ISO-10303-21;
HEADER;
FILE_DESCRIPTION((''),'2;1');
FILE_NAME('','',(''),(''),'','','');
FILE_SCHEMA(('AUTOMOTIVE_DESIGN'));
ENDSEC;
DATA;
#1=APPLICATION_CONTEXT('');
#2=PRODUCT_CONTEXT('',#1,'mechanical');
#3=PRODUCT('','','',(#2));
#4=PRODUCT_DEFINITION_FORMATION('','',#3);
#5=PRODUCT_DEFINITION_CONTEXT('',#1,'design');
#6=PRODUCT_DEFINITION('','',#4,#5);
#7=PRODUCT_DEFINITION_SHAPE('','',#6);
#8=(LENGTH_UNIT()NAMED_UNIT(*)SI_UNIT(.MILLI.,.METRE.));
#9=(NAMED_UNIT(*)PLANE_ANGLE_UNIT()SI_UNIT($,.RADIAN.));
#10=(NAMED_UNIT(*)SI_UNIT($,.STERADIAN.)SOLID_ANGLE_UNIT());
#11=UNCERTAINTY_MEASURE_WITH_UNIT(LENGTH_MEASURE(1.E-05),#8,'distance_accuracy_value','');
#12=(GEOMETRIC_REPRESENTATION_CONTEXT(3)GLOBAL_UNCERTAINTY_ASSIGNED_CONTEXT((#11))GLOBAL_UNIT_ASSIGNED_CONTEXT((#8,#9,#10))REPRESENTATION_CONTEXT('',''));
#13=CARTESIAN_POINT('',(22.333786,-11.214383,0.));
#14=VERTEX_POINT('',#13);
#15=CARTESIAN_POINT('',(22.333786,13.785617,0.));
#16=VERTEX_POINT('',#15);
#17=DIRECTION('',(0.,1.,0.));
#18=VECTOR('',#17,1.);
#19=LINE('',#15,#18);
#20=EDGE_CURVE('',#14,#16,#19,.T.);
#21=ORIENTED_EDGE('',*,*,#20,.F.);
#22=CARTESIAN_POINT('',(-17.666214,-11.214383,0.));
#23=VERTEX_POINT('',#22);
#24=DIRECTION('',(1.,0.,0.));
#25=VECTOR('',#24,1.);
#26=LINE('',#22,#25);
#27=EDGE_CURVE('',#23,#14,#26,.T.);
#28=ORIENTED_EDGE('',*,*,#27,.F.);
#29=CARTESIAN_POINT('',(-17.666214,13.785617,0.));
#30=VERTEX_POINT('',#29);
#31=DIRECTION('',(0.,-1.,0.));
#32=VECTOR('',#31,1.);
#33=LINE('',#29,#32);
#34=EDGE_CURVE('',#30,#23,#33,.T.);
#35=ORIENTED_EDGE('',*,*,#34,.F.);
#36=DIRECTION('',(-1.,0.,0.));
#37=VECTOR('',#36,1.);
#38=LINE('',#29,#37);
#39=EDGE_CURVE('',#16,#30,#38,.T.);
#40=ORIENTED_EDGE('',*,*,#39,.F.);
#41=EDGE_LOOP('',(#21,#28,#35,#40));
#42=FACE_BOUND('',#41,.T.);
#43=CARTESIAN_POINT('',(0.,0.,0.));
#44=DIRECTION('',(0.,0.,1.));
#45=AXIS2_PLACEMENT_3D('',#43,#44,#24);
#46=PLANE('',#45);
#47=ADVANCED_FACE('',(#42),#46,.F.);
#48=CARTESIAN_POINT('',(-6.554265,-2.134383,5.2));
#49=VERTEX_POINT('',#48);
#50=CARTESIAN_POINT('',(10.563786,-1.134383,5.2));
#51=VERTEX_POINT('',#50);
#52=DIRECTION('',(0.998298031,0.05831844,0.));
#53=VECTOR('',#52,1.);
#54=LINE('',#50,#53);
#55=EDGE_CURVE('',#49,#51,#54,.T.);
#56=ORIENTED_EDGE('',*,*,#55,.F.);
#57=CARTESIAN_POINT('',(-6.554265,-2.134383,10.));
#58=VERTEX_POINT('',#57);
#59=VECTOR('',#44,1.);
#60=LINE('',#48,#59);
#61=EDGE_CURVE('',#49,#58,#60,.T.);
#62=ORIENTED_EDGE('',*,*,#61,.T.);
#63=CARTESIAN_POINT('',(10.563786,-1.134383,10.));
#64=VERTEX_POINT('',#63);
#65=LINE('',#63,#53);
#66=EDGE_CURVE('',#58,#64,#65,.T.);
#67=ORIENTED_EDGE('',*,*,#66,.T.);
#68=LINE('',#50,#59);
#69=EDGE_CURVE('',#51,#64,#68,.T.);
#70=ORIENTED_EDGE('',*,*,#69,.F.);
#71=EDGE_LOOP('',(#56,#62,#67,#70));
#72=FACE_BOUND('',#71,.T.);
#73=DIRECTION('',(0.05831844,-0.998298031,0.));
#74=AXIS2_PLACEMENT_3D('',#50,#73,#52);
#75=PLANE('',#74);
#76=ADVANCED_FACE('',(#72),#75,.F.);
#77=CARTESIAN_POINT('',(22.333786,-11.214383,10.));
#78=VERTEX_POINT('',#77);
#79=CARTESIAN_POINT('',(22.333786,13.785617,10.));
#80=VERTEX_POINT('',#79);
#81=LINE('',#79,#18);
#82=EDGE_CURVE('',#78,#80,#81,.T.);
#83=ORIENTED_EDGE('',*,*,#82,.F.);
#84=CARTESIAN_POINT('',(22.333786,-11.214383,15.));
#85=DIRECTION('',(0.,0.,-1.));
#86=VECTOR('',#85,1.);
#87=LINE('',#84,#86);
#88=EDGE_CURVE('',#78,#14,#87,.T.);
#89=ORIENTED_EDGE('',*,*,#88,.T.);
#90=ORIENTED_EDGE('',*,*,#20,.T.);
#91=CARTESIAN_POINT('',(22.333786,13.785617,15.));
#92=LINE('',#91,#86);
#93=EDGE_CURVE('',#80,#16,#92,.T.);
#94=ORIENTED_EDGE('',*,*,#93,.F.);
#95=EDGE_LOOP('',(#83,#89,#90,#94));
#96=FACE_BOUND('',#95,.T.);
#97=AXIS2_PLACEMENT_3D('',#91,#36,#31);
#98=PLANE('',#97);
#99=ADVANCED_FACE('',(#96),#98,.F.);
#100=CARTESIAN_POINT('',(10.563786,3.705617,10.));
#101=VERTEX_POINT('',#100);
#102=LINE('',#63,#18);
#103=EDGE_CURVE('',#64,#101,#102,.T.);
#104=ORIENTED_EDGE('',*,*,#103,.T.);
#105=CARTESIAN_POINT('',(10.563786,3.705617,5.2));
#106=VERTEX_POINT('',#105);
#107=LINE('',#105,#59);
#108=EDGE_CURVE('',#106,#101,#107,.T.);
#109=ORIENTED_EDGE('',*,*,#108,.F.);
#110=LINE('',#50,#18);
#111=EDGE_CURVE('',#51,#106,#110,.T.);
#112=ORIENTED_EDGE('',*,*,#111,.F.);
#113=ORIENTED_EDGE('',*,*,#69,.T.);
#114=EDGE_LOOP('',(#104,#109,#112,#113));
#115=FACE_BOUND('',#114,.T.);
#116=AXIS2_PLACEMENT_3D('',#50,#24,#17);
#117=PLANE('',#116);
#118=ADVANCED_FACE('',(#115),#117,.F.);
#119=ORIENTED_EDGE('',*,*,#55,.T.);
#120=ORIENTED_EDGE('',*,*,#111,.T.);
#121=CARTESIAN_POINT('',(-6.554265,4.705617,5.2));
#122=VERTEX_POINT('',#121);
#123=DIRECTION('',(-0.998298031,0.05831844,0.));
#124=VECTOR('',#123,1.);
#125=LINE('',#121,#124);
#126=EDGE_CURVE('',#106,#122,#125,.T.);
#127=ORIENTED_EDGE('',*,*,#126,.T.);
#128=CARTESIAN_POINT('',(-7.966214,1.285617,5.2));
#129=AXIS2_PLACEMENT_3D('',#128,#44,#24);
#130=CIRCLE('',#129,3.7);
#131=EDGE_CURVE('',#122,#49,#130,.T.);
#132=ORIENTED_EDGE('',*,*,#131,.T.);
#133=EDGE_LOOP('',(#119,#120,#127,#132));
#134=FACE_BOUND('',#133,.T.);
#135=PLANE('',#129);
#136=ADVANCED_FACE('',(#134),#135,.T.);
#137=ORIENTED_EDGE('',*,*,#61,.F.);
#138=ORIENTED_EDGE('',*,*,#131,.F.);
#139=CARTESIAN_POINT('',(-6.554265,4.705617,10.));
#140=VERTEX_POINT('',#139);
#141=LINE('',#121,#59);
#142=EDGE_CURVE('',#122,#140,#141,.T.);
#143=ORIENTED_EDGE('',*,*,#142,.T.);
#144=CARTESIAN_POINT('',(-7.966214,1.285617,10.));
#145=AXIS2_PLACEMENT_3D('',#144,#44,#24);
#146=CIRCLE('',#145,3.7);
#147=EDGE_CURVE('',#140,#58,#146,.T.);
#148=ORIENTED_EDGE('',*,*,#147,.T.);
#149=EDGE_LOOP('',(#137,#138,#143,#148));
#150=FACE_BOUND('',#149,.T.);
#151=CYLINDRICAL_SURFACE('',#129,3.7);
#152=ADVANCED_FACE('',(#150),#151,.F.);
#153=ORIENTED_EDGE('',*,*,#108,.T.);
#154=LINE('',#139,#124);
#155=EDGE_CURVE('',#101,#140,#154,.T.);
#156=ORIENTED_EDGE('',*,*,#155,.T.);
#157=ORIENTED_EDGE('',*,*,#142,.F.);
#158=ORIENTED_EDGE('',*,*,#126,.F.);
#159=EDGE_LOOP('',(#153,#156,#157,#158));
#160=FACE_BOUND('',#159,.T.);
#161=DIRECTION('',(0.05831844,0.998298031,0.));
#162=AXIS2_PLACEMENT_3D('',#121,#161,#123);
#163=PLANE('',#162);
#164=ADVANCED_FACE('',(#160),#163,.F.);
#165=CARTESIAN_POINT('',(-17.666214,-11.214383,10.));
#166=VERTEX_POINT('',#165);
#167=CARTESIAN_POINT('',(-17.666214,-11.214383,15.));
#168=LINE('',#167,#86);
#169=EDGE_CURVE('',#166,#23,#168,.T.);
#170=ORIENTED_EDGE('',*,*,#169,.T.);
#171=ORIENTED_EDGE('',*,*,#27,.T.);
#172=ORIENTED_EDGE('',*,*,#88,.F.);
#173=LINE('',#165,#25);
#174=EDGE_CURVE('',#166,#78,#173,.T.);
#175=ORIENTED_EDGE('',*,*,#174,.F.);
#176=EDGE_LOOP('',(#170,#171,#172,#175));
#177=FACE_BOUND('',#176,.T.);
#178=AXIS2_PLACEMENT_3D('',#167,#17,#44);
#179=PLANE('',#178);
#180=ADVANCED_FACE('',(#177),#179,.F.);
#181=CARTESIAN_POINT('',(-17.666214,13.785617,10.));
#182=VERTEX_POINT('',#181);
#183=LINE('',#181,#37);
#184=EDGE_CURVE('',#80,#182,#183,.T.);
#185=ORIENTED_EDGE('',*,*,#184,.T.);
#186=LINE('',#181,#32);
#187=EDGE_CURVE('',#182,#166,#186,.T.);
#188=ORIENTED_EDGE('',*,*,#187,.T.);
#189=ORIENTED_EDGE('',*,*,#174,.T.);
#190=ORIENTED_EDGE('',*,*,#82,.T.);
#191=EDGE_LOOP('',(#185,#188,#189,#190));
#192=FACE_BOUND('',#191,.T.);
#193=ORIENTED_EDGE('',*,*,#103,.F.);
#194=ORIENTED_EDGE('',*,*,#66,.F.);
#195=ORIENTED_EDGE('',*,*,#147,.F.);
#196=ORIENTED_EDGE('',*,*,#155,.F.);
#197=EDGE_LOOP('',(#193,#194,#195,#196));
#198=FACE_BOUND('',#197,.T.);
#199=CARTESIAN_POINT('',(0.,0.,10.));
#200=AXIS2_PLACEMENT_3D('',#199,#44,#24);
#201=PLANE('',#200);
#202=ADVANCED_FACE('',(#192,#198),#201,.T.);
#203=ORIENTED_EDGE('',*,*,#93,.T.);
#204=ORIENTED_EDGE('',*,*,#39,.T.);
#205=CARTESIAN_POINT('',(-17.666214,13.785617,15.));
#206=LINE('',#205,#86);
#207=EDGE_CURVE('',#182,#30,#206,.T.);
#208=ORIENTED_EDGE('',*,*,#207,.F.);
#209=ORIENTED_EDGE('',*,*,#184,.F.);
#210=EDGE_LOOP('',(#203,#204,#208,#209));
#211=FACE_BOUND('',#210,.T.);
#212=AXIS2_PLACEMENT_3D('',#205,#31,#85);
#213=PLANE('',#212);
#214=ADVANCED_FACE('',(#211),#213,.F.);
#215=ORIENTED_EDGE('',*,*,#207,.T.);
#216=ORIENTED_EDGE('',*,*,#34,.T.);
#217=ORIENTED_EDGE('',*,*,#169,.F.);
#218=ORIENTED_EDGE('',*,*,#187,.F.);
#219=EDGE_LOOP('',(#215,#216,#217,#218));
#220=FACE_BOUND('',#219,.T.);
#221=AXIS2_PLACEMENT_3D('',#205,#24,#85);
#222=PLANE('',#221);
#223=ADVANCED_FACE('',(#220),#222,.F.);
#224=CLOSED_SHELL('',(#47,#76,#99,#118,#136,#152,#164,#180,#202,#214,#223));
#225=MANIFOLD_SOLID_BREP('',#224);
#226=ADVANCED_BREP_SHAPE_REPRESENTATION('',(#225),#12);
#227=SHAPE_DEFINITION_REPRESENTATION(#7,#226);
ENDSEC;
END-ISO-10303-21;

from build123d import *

# Parameters (mm, degrees)
SKETCH2_W           = 40
SKETCH2_H           = 25
BOSS_EXTRUDE1_DEPTH = 15
SKETCH3_W           = 25
SKETCH3_H           = 12
CUT_EXTRUDE1_DEPTH  = 5
CUT_EXTRUDE2_DEPTH  = 4.8
SKETCH7_W           = 40
SKETCH7_H           = 25
CUT_EXTRUDE3_DEPTH  = 5


with BuildPart() as part:
    # Sketch2 → Boss-Extrude1 (new body)
    with BuildSketch(Plane.XY):
        with Locations((2.333785617, 1.285617368)):
            Rectangle(SKETCH2_W, SKETCH2_H)
    extrude(amount=BOSS_EXTRUDE1_DEPTH)

    # Sketch3 → Cut-Extrude1 (cut)
    with BuildSketch(Plane.XY.offset(15)):
        with Locations((-0.166214383, 1.285617368)):
            Rectangle(SKETCH3_W, SKETCH3_H)
    extrude(amount=-CUT_EXTRUDE1_DEPTH, mode=Mode.SUBTRACT)

    # Sketch5 → Cut-Extrude2 (cut)
    with BuildSketch(Plane.XY.offset(10)):
        with BuildLine():
            Line((10.563785617, -1.134382632), (10.563785617, 3.705617368))
            Line((10.563785617, 3.705617368), (-6.554265375, 4.705617368))
            ThreePointArc((-6.554265375, 4.705617368), (-11.666214383, 1.285617368), (-6.554265375, -2.134382632))
            Line((-6.554265375, -2.134382632), (10.563785617, -1.134382632))
        make_face()
    extrude(amount=-CUT_EXTRUDE2_DEPTH, mode=Mode.SUBTRACT)

    # Sketch7 → Cut-Extrude3 (cut)
    with BuildSketch(Plane.XY.offset(15)):
        with Locations((2.333785617, 1.285617368)):
            Rectangle(SKETCH7_W, SKETCH7_H)
    extrude(amount=-CUT_EXTRUDE3_DEPTH, mode=Mode.SUBTRACT)


solid = part.part
